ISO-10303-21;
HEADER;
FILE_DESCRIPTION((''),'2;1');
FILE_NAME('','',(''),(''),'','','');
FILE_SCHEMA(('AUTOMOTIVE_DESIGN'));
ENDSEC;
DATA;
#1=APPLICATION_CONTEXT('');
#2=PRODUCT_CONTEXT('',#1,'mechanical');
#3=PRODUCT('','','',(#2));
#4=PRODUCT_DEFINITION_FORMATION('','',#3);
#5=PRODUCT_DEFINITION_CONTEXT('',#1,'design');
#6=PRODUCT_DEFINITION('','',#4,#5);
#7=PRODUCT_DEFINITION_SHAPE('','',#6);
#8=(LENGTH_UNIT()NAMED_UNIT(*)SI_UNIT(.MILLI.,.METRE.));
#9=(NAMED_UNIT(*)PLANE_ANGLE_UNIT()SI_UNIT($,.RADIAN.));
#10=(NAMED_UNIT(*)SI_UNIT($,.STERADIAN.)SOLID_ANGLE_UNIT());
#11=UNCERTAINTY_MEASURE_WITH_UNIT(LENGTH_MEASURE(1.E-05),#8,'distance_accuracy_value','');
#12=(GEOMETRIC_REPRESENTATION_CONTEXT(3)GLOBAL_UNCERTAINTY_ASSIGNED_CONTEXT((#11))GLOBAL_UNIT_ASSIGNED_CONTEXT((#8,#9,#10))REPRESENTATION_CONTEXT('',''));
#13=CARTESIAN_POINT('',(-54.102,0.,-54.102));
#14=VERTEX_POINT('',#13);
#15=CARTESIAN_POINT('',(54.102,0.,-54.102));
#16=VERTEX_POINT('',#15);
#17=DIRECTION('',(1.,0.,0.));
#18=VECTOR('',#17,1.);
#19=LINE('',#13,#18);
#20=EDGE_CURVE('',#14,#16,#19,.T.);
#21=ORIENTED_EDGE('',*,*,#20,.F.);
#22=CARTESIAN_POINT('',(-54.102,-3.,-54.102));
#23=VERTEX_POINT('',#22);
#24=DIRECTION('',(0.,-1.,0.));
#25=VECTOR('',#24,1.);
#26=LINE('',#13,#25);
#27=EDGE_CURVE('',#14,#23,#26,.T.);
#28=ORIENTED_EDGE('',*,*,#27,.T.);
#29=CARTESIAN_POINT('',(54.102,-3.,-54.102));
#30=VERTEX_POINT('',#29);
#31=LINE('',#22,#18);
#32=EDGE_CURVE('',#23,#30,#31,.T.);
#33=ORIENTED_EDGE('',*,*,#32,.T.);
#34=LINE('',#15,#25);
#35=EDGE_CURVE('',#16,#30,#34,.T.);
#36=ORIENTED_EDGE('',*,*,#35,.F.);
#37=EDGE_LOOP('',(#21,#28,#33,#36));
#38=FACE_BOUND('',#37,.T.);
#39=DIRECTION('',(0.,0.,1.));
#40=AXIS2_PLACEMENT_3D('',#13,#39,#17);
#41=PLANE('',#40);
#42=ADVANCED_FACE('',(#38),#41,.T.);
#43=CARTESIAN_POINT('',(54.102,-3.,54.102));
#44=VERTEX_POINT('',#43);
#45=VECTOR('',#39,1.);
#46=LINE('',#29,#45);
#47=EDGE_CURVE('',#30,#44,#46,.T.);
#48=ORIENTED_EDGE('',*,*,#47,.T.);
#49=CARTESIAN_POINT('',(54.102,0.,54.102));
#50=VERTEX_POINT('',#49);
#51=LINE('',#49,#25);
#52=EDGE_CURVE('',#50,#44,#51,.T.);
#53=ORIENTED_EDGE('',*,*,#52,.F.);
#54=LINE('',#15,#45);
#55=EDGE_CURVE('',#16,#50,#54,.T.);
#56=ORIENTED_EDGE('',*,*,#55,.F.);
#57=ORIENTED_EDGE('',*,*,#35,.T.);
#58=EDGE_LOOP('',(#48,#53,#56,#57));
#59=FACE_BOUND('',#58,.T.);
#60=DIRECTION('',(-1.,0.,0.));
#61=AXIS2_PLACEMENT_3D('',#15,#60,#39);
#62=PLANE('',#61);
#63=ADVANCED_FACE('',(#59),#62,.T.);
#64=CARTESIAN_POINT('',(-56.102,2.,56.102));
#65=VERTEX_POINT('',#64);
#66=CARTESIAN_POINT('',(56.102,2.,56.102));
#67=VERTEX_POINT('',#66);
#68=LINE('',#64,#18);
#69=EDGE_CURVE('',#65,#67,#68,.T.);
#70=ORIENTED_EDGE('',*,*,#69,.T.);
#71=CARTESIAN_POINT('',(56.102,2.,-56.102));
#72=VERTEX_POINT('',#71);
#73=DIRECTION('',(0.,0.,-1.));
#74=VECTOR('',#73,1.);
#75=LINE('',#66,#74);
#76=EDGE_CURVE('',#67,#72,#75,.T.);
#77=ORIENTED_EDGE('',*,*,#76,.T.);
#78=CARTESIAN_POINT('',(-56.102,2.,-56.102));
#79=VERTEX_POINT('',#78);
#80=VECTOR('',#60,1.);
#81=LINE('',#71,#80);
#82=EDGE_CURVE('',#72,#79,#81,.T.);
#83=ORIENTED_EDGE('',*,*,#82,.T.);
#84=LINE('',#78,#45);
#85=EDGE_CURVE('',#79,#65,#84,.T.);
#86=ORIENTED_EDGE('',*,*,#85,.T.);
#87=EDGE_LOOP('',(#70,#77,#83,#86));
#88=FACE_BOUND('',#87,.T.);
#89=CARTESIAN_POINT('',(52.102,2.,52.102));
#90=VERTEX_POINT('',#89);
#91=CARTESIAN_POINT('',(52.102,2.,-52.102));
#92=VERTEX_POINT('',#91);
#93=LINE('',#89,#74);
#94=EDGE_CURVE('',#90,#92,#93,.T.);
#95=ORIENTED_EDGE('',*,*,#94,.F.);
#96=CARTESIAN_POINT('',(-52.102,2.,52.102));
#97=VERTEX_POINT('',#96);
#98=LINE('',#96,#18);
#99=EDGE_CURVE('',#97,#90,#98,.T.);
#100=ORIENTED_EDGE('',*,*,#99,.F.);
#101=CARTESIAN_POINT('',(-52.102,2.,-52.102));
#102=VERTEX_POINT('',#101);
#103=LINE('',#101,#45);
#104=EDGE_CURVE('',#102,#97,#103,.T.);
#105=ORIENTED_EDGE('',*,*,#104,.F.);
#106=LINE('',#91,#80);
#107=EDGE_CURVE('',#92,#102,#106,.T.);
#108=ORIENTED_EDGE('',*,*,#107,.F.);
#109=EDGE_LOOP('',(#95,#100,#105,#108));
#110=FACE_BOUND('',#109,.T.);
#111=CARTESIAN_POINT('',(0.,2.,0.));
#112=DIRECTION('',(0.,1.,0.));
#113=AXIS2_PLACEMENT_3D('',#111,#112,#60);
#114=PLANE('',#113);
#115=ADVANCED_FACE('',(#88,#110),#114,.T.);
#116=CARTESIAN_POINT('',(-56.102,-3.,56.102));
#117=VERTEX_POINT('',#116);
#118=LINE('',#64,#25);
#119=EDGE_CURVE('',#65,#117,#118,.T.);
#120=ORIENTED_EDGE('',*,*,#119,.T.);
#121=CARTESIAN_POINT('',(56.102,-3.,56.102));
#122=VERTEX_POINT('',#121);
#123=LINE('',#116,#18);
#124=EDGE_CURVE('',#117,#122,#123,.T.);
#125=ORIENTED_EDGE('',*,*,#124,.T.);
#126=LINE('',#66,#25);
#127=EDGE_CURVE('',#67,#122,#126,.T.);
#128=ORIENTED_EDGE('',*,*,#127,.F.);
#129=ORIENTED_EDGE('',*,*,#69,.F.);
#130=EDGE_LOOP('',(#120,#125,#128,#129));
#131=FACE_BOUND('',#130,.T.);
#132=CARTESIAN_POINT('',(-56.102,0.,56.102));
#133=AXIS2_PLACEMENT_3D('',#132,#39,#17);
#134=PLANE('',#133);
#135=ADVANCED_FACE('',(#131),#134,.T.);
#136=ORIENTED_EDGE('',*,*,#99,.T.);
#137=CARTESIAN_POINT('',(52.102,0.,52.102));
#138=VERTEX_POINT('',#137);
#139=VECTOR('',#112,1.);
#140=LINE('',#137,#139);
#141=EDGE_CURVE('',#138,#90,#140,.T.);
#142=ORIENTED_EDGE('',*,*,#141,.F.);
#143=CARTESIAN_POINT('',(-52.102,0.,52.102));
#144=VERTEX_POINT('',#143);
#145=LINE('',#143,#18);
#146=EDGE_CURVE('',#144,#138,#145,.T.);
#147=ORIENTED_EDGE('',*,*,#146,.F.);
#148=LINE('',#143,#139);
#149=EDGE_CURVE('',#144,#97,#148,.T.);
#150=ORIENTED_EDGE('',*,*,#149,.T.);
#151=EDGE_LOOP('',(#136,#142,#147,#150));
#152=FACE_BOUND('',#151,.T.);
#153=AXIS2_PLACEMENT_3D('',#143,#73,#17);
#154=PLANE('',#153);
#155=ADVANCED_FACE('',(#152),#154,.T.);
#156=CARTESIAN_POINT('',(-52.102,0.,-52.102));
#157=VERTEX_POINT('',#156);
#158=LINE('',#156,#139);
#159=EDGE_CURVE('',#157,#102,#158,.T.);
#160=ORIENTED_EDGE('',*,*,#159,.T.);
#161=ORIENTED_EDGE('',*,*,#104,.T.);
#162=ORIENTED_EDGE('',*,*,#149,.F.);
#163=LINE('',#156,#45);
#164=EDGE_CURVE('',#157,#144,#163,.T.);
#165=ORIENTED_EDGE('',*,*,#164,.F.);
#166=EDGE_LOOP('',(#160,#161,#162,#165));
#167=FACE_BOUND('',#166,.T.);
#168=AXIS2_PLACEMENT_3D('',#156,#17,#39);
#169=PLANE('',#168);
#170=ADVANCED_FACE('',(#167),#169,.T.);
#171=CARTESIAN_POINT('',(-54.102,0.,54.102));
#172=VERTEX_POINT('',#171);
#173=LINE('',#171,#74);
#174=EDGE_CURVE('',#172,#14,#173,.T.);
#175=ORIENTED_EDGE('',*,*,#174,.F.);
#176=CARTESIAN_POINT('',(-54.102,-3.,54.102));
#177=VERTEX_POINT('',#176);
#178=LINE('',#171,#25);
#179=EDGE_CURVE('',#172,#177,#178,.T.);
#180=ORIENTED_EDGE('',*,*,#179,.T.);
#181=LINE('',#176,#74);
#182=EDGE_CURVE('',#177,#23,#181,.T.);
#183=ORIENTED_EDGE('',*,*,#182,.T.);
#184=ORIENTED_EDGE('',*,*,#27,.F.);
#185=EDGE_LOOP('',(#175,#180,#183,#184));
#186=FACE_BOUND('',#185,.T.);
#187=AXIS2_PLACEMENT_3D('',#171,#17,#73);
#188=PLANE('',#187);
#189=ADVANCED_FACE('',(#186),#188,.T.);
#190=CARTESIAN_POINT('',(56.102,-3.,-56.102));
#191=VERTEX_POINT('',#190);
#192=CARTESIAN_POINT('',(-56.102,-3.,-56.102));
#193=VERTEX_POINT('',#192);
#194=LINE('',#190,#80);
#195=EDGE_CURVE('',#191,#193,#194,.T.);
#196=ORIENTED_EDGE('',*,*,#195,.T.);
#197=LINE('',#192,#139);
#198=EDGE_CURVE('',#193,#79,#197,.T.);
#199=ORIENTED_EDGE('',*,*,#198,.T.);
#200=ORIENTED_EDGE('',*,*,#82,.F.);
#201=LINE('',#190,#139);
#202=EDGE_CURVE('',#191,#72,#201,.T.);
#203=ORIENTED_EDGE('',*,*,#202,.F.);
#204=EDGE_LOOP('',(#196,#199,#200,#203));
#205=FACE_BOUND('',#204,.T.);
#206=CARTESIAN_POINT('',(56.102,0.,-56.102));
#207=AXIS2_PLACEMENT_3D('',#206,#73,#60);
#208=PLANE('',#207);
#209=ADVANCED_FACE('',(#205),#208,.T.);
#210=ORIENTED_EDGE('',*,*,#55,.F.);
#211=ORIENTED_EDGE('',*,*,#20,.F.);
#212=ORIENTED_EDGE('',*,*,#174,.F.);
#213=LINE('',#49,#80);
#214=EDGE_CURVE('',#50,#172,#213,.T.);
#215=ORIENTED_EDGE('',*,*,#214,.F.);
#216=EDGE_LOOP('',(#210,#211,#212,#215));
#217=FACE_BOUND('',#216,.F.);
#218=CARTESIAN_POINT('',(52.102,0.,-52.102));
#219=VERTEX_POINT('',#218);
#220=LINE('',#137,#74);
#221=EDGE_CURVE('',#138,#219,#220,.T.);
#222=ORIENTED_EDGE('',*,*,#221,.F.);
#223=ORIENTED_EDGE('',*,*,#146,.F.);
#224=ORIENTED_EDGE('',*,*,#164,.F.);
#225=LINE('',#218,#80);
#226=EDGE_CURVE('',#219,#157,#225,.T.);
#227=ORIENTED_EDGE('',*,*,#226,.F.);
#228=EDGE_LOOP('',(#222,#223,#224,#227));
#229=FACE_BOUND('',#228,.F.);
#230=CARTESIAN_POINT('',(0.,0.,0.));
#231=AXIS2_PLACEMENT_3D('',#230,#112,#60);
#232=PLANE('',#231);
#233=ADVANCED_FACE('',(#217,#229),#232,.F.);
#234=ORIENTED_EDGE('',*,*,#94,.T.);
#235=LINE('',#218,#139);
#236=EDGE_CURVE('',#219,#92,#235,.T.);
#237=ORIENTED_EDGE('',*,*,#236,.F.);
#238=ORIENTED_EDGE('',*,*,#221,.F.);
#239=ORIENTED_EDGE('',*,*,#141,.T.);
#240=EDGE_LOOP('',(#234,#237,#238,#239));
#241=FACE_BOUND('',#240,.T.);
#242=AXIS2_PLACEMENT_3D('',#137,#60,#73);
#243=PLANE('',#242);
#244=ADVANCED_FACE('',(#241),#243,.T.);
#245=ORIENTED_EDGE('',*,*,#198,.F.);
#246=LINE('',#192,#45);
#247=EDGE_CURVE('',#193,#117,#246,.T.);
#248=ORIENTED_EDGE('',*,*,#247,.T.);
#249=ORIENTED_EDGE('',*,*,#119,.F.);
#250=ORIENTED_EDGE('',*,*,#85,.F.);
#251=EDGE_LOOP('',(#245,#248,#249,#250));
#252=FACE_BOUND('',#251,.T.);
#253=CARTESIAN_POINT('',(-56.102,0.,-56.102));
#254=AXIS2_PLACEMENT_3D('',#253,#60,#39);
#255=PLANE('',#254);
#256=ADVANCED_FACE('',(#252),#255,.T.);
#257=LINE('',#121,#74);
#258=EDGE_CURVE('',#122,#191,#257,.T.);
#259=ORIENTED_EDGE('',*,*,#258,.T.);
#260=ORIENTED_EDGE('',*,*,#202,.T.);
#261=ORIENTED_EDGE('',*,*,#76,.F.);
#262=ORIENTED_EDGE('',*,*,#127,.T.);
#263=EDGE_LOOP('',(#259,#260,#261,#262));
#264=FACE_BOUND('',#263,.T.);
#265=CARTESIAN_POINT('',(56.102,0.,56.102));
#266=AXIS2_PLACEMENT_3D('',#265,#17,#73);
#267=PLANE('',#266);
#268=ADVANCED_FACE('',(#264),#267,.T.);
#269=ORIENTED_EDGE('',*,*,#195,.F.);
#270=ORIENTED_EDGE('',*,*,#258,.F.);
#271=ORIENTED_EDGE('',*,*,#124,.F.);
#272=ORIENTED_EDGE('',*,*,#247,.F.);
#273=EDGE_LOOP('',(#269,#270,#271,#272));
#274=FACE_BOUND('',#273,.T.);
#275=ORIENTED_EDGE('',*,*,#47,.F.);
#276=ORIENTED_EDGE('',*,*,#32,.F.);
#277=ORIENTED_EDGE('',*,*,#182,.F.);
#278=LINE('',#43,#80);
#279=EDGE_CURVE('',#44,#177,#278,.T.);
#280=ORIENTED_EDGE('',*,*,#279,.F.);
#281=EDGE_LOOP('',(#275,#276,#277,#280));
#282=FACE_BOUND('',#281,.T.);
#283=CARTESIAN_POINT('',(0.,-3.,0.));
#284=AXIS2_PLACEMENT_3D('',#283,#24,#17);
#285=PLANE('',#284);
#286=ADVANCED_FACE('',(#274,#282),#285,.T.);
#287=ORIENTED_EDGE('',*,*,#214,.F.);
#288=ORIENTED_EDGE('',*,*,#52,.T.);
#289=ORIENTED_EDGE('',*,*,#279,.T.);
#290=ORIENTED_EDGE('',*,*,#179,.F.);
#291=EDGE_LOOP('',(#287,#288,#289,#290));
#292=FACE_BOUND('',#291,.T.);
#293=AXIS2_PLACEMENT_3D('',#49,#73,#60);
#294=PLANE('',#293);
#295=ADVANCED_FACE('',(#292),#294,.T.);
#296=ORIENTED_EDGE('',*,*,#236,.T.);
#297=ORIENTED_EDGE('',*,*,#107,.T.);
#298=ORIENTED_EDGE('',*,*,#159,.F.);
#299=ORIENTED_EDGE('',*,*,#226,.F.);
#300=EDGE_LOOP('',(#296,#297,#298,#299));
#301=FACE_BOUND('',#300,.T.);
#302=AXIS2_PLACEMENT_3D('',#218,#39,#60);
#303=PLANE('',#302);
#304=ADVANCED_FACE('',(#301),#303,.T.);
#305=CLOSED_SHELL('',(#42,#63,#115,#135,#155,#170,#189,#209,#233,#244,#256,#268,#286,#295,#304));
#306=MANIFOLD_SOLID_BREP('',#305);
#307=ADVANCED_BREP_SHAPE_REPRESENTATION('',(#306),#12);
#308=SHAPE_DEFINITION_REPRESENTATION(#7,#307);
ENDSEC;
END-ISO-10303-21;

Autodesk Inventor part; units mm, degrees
ref_plane "YZ Plane" through (0, 0, 0) normal (1, 0, 0) x (0, 1, 0)
ref_plane "XZ Plane" through (0, 0, 0) normal (0, 1, 0) x (-1, 0, 0)
ref_plane "XY Plane" through (0, 0, 0) normal (0, 0, 1) x (1, 0, 0)
sketch "Sketch1" plane through (0, 0, 0) normal (0, 1, 0) x (-1, 0, 0)
  line L0 (54.002, 54.002) -> (-54.002, 54.002) construction
  line L1 (-54.002, 54.002) -> (-54.002, -54.002) construction
  line L2 (-54.002, -54.002) -> (54.002, -54.002) construction
  line L3 (54.002, -54.002) -> (54.002, 54.002) construction
  line L4 (54.002, 54.002) -> (-54.002, -54.002) construction
  line L5 (-54.002, 54.002) -> (54.002, -54.002) construction
  line L6 (54.102, 54.102) -> (-54.102, 54.102)
  line L7 (-54.102, 54.102) -> (-54.102, -54.102)
  line L8 (-54.102, -54.102) -> (54.102, -54.102)
  line L9 (54.102, -54.102) -> (54.102, 54.102)
  line L10 (56.102, 56.102) -> (-56.102, 56.102)
  line L11 (-56.102, 56.102) -> (-56.102, -56.102)
  line L12 (-56.102, -56.102) -> (56.102, -56.102)
  line L13 (56.102, -56.102) -> (56.102, 56.102)
  line L14 (52.102, 52.102) -> (-52.102, 52.102)
  line L15 (-52.102, 52.102) -> (-52.102, -52.102)
  line L16 (-52.102, -52.102) -> (52.102, -52.102)
  line L17 (52.102, -52.102) -> (52.102, 52.102)
  point P0 (0, 0)
  dimension "d0" = 108.004
  dimension "d9" = 0.1
  dimension "d10" = 2
  dimension "d11" = 2
extrude "Extrusion1" add sketch "Sketch1" along normal blind 2 contours L9 L8 L7 L6 | L13 L12 L11 L10
sketch "Sketch2" plane through (0, 0, 0) normal (0, -1, 0) x (1, 0, 0)
  line L0 (56.102, 56.102) -> (56.102, -56.102) projected
  line L1 (-56.102, 56.102) -> (56.102, 56.102) projected
  line L2 (-56.102, -56.102) -> (-56.102, 56.102) projected
  line L3 (56.102, -56.102) -> (-56.102, -56.102) projected
  line L4 (56.102, 56.102) -> (56.102, -56.102) projected
  line L5 (-52.102, -52.102) -> (52.102, -52.102) projected
  line L6 (-52.102, 52.102) -> (-52.102, -52.102) projected
  line L7 (52.102, 52.102) -> (-52.102, 52.102) projected
  line L8 (52.102, -52.102) -> (52.102, 52.102) projected
  line L9 (54.102, 54.102) -> (-54.102, 54.102)
  line L10 (-54.102, 54.102) -> (-54.102, -54.102)
  line L11 (-54.102, -54.102) -> (54.102, -54.102)
  line L12 (54.102, -54.102) -> (54.102, 54.102)
  point P0 (0, 0)
  dimension "d12" = 2
extrude "Extrusion2" add sketch "Sketch2" along normal blind 3 contours L0 L3 L2 L1
properties part number "top_frame"
